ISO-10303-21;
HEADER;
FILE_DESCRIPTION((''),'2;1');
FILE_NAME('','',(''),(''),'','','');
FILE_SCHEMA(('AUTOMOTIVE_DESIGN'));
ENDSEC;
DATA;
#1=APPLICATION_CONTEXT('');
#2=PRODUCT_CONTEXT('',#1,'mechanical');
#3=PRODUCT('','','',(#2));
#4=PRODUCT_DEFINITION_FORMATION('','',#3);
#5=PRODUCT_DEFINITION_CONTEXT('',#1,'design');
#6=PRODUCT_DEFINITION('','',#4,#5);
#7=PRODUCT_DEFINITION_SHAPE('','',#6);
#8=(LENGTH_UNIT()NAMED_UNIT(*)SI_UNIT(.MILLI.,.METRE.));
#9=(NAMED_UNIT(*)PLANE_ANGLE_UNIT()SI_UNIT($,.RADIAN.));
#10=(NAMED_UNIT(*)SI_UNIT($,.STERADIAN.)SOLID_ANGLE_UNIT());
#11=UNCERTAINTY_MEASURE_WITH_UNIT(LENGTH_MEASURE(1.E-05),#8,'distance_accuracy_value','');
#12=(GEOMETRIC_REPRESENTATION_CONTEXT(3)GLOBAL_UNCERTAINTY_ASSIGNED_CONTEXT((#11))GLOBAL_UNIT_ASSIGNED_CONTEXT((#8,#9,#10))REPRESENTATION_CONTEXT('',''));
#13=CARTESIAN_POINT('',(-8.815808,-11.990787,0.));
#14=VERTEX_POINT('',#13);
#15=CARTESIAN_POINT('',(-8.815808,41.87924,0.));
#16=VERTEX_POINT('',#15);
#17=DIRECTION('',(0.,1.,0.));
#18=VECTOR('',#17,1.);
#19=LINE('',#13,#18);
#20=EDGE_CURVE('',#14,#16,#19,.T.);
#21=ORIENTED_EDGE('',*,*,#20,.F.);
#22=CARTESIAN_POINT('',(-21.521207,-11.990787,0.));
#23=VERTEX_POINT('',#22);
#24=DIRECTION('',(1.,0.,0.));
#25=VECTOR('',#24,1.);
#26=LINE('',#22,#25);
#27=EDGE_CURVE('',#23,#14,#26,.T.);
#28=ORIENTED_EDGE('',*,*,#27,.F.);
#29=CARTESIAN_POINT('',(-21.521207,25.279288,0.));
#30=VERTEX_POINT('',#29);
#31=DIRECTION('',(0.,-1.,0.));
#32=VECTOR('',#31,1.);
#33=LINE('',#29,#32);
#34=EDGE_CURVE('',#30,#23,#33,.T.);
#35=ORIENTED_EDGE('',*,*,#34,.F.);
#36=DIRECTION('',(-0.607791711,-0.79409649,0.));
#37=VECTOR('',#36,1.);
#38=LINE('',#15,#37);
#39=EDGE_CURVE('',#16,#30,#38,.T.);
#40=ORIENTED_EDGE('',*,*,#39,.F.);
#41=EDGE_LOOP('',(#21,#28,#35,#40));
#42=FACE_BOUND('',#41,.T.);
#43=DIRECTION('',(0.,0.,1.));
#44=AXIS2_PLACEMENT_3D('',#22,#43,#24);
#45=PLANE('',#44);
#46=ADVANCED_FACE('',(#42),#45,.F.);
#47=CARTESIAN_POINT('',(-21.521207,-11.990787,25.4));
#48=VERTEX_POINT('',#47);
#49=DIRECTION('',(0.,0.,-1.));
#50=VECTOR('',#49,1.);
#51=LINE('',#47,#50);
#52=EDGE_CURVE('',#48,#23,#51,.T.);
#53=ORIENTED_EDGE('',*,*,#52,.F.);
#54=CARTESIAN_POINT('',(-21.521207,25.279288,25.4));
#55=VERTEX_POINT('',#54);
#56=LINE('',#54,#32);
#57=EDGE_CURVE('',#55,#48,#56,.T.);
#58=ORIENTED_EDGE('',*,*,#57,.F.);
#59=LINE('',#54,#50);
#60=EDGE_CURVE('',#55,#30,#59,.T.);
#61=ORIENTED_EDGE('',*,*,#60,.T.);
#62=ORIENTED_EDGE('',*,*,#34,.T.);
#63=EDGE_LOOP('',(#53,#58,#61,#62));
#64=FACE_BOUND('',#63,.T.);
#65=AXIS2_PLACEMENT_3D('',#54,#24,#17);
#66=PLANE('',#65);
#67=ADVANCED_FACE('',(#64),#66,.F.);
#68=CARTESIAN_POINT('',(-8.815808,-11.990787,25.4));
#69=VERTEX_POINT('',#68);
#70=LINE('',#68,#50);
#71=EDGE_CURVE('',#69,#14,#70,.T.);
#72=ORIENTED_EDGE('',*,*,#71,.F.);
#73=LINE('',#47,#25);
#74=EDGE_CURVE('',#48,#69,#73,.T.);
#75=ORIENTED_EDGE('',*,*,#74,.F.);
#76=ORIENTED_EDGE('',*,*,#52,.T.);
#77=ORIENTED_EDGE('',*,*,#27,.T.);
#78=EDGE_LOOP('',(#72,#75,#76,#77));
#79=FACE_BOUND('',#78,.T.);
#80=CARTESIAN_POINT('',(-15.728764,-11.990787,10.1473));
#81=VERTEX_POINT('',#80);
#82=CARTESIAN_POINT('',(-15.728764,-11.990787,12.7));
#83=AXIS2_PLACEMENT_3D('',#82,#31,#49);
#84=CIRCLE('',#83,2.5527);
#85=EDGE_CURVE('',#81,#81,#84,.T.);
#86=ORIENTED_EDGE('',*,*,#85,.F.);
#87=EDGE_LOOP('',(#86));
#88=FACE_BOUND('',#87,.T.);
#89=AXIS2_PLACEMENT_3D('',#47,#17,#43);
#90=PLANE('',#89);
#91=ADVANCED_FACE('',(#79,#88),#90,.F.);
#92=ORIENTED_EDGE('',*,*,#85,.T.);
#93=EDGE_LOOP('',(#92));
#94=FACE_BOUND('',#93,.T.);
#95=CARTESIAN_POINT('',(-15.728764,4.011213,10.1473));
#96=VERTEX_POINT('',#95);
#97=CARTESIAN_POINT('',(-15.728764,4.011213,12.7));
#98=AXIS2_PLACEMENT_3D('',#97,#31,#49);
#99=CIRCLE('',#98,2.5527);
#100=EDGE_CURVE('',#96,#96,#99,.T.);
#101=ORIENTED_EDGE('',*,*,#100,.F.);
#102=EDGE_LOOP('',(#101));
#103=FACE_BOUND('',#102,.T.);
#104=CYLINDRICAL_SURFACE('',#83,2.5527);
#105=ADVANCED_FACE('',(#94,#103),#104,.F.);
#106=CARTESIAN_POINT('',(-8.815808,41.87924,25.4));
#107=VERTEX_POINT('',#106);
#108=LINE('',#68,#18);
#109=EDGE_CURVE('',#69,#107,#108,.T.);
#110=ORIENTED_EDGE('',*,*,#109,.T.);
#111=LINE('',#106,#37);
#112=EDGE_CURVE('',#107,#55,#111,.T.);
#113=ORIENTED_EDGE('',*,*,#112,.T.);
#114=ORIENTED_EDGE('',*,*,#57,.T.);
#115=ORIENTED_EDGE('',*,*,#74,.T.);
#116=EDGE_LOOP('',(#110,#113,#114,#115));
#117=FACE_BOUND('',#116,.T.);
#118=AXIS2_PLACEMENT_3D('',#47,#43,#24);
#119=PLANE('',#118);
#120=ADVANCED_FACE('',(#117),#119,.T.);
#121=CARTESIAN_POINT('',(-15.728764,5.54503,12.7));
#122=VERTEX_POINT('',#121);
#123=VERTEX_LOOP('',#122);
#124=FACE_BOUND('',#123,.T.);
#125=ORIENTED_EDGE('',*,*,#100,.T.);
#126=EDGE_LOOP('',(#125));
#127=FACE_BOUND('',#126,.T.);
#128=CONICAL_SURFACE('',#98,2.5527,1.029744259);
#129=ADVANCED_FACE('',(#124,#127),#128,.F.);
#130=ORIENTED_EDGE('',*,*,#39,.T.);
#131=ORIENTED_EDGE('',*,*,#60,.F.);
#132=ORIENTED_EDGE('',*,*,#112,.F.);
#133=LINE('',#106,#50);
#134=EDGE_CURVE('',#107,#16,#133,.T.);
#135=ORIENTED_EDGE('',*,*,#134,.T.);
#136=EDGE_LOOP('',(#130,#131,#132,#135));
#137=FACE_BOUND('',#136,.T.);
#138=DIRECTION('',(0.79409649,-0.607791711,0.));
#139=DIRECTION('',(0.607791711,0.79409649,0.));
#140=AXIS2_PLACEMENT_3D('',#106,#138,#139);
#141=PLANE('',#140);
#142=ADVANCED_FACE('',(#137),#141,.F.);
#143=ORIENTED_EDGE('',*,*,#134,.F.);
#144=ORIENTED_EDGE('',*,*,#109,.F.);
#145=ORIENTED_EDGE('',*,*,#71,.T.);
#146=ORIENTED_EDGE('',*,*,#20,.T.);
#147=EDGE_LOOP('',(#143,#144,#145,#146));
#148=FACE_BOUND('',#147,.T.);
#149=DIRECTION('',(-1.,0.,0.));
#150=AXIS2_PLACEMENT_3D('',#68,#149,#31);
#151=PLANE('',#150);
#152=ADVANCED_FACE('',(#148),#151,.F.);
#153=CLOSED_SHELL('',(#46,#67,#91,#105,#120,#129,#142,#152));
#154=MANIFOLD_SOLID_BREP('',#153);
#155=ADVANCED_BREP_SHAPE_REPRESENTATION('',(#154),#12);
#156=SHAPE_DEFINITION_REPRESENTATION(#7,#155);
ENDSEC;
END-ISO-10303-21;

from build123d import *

# Parameters (mm, degrees)
EXTRUDE1_DEPTH              = 25.4
F_1_4_20_TAPPED_HOLE2_D     = 5.1054
F_1_4_20_TAPPED_HOLE2_DEPTH = 16.002
F_1_4_20_TAPPED_HOLE2_TIP   = 1.533816902


with BuildPart() as part:
    # Sketch1 → Extrude1 (new body)
    with BuildSketch(Plane.XY):
        Polygon((-8.815807595, 41.879239751), (-21.52120708, 25.279287896), (-21.52120708, -11.990787033), (-8.815807595, -11.990787033), align=None)
    extrude(amount=EXTRUDE1_DEPTH)

    # 1/4-20 Tapped Hole2
    with Locations(Plane(origin=(7.200348194, -11.990787033, 18.061260674), x_dir=(-1, 0, 0), z_dir=(0, -1, 0))):
        with Locations((22.929112651, 5.361260674)):
            Hole(F_1_4_20_TAPPED_HOLE2_D / 2, depth=F_1_4_20_TAPPED_HOLE2_DEPTH)
            with Locations((0, 0, -(F_1_4_20_TAPPED_HOLE2_DEPTH + F_1_4_20_TAPPED_HOLE2_TIP / 2))):  # 118° drill point
                Cone(0, F_1_4_20_TAPPED_HOLE2_D / 2, F_1_4_20_TAPPED_HOLE2_TIP, mode=Mode.SUBTRACT)


solid = part.part
